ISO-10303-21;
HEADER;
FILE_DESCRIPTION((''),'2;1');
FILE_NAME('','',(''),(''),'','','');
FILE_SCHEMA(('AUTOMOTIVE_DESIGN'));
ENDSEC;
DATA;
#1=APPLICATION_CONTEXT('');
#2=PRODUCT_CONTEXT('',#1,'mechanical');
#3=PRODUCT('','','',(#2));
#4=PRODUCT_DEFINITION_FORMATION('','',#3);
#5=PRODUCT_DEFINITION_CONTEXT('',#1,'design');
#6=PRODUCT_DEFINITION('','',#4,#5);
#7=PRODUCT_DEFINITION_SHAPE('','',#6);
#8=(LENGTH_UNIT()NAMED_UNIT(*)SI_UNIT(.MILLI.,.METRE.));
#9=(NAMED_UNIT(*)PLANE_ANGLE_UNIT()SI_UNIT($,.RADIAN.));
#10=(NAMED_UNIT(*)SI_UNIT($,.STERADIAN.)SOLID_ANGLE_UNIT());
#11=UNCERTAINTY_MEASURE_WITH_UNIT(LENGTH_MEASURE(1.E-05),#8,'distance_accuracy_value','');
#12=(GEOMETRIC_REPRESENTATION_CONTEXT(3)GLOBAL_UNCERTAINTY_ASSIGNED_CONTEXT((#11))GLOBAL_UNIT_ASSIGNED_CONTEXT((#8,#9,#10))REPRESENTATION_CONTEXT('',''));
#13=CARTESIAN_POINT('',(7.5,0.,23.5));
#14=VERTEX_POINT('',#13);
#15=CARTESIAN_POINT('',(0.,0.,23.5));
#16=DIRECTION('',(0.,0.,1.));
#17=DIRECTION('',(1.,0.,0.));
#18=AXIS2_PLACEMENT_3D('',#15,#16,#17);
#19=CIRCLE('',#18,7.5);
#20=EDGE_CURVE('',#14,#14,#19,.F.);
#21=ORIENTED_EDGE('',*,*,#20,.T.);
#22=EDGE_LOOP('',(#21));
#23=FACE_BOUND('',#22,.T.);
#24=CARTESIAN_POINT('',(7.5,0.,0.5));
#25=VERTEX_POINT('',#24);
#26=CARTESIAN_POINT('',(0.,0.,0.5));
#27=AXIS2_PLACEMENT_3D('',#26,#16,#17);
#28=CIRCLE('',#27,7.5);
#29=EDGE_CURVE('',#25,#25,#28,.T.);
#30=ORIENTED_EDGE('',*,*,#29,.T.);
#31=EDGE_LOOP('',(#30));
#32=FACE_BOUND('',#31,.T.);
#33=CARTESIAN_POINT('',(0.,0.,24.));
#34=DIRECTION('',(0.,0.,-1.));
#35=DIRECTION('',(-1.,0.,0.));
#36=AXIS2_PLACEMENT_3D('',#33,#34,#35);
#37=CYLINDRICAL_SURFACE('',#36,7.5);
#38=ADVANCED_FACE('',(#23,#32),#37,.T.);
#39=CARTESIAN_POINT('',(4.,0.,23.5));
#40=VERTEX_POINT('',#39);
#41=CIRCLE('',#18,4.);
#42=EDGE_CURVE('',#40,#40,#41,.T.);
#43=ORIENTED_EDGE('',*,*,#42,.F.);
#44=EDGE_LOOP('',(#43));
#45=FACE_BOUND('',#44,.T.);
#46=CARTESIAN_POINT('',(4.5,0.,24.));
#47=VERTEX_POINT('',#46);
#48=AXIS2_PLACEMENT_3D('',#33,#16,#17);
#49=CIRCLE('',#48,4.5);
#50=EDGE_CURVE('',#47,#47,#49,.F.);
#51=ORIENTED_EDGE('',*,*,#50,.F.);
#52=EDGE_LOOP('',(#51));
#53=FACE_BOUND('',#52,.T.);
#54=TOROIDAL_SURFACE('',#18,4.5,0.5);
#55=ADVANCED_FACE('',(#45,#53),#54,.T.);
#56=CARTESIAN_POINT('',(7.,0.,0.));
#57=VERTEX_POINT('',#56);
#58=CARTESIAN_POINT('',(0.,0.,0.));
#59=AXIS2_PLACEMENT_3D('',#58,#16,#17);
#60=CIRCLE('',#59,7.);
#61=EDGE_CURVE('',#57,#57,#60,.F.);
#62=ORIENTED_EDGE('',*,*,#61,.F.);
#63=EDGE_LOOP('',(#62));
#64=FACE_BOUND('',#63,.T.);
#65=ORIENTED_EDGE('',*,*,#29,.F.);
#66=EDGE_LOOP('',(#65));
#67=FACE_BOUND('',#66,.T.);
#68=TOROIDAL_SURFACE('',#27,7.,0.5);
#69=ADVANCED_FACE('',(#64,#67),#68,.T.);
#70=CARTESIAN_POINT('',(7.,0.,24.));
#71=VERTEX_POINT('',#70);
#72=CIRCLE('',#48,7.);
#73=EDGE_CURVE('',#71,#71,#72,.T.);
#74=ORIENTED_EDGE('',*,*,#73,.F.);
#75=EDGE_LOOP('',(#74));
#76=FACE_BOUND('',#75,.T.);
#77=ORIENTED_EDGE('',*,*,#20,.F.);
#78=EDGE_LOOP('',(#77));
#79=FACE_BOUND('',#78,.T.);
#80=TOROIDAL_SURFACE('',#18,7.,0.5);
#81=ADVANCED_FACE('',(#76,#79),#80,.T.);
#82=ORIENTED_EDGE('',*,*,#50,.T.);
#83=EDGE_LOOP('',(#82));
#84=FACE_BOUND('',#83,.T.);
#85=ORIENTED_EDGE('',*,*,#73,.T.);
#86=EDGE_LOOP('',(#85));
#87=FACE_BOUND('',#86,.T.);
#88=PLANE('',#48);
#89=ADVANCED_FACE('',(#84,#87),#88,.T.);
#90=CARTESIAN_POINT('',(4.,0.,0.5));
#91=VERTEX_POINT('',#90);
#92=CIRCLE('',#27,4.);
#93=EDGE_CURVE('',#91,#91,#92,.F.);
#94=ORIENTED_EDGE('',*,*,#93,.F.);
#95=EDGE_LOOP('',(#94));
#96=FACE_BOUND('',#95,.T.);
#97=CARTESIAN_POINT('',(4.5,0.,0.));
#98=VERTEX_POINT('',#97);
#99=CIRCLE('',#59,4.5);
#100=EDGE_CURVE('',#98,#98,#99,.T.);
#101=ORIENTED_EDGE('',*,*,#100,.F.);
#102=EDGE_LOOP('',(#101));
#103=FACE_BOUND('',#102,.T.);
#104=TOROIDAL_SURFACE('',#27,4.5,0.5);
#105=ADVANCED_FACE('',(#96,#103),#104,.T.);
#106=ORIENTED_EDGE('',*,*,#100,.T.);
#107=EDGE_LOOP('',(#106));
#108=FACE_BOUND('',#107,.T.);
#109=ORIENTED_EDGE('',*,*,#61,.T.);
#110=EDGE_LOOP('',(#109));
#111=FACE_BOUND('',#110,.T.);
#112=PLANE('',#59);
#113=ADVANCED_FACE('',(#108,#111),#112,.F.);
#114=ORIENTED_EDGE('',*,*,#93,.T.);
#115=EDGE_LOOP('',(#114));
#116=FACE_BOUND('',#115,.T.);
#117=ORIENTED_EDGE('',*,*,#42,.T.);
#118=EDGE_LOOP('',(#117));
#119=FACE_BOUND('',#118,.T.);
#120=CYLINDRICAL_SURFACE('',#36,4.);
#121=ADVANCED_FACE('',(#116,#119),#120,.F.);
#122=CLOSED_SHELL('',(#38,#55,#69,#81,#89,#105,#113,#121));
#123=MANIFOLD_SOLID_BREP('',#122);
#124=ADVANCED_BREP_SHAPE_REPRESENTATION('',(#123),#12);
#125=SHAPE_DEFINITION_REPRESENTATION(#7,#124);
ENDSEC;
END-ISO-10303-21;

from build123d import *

# Parameters (mm, degrees)
SKETCH_1_R      = 7.5
SKETCH_1_R_2    = 4
EXTRUDE_1_DEPTH = 24
FILLET_1_R      = 0.5


with BuildPart() as part:
    # 草图1 → 凸台-拉伸1 (new body)
    with BuildSketch(Plane.XY):
        Circle(SKETCH_1_R)
        Circle(SKETCH_1_R_2, mode=Mode.SUBTRACT)
    extrude(amount=EXTRUDE_1_DEPTH)

    # 圆角1
    fillet_1_edges = [part.edges().sort_by_distance(p)[0] for p in [
        (-7.5, 0, 0),
        (-7.5, 0, 24),
        (-4, 0, 0),
        (-4, 0, 24),
    ]]
    fillet(fillet_1_edges, radius=FILLET_1_R)


solid = part.part
